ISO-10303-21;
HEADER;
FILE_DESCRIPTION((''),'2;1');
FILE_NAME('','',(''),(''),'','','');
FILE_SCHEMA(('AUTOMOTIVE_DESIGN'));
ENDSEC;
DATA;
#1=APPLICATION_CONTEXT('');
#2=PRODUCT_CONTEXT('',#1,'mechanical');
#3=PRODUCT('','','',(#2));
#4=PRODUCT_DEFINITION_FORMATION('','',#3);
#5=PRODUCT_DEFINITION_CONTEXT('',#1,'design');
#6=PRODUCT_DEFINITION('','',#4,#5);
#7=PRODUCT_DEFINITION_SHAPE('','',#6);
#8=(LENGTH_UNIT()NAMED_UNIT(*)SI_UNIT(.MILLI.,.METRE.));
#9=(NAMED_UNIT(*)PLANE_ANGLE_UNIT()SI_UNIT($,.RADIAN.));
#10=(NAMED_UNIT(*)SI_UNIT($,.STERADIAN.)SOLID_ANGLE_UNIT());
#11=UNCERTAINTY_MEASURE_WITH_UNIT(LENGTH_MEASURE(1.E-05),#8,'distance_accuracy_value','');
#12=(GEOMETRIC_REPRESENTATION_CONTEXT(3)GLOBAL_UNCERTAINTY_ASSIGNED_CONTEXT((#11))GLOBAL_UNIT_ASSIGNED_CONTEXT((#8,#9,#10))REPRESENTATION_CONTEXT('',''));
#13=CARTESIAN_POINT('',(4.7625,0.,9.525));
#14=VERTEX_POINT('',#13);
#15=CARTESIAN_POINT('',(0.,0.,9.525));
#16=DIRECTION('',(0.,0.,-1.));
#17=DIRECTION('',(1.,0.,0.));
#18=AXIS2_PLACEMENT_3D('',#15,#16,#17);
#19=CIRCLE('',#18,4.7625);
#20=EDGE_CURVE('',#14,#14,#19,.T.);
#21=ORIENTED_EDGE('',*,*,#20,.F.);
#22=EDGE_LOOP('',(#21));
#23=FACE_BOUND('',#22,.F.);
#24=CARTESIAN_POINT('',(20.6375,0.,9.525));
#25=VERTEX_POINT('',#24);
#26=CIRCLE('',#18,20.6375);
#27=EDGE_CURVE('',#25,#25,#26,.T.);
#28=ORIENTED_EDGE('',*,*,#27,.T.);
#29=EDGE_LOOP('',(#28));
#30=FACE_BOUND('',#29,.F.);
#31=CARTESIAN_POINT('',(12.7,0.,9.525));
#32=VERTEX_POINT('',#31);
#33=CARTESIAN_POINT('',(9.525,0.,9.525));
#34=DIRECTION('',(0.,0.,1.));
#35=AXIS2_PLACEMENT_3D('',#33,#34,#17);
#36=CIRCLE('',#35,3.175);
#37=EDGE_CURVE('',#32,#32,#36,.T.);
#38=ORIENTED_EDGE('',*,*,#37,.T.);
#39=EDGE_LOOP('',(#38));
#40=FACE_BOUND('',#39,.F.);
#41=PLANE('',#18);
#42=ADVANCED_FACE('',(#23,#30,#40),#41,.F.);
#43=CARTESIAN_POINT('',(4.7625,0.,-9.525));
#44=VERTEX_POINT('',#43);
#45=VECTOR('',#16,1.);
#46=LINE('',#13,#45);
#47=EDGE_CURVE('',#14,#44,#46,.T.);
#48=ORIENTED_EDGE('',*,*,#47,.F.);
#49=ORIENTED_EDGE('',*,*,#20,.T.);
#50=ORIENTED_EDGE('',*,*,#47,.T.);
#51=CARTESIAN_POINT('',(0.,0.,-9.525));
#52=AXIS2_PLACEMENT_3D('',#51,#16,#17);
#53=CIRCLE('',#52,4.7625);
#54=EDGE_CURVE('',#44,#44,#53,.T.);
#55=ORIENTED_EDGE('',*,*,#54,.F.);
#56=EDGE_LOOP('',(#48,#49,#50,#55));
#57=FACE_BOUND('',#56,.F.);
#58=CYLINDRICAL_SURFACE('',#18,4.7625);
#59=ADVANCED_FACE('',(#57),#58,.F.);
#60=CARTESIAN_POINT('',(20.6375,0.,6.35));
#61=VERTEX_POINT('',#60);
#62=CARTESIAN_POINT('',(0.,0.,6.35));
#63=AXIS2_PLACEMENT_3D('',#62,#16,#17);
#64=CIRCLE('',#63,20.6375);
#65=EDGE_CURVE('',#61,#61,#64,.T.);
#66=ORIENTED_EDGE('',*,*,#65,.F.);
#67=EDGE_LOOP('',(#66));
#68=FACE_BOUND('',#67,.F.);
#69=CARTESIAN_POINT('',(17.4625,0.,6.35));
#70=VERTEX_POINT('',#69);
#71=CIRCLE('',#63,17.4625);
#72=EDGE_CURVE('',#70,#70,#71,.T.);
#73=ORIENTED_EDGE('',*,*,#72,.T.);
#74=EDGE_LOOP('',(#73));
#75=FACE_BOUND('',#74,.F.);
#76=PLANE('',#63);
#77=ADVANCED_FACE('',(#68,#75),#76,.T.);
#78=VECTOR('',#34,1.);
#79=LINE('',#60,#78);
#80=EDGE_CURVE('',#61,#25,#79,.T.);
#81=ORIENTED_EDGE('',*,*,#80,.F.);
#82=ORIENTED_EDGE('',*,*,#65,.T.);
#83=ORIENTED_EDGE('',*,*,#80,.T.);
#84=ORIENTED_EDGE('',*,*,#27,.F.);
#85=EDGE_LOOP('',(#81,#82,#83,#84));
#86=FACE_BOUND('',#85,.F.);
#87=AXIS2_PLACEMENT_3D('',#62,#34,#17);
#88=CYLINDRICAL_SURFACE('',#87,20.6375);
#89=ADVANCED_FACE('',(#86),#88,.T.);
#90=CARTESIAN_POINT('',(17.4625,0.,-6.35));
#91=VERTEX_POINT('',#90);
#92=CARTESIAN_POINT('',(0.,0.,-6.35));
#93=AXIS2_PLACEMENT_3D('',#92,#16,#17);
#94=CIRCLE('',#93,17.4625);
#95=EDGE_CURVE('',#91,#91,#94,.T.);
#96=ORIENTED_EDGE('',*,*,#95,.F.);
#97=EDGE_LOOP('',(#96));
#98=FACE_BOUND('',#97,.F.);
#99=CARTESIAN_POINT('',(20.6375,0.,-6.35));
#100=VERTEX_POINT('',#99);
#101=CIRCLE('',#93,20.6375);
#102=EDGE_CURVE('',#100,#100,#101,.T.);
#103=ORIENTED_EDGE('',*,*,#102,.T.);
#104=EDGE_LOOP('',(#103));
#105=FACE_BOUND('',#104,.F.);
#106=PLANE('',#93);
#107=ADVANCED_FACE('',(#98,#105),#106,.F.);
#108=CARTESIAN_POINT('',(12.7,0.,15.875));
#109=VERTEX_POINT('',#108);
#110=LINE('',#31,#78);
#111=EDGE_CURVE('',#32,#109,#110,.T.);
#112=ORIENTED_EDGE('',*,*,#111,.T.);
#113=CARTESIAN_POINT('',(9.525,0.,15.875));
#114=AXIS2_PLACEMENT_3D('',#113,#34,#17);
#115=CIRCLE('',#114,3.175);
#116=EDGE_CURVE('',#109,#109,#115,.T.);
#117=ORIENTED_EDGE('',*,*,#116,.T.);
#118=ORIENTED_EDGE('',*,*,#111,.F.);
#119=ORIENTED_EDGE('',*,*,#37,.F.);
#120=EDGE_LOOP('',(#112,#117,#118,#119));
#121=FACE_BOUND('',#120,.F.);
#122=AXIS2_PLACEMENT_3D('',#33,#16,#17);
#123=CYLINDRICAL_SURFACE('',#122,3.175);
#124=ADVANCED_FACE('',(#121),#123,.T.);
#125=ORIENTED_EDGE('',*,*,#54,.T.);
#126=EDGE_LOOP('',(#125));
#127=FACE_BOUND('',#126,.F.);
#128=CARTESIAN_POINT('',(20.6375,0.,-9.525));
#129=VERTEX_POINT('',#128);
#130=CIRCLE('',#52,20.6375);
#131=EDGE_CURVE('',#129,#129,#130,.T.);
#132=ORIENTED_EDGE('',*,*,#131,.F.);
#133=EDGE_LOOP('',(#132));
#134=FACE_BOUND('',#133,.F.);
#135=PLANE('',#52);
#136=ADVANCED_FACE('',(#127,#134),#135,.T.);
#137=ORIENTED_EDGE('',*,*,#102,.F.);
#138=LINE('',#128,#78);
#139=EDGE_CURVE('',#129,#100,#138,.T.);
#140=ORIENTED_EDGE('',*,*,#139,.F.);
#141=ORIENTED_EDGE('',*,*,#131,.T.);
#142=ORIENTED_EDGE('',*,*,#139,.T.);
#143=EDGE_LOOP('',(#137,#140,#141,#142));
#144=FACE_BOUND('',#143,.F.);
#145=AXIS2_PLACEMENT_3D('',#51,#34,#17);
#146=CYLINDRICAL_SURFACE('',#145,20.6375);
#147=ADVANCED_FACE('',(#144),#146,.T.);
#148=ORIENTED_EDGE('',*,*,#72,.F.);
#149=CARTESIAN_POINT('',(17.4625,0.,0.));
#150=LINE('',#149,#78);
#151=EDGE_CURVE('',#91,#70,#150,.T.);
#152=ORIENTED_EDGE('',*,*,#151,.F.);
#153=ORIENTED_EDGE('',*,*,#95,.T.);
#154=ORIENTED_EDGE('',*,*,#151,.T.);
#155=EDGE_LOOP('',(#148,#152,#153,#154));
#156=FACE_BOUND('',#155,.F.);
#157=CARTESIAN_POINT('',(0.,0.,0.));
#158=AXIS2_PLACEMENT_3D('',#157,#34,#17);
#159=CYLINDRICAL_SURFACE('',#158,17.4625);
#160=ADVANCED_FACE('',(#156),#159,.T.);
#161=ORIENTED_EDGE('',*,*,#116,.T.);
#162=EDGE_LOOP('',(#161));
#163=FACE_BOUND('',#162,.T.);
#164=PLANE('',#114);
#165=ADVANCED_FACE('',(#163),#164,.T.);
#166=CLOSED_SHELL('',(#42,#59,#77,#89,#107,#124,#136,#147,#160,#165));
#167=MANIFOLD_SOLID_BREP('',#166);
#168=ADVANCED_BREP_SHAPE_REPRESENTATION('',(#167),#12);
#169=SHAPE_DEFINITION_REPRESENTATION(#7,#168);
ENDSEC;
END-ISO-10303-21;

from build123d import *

# Parameters (mm, degrees)
F0_W     = 12.7
F0_H     = 12.7
F2_R     = 3.175
F3_DEPTH = 6.35


with BuildPart() as f1:
    # F0 (on Front) → F1 (revolve)
    with BuildSketch(Plane.XZ):
        Polygon((4.7625, 9.525), (4.7625, 6.35), (17.4625, 6.35), (20.6375, 6.35), (20.6375, 9.525), align=None)
        with Locations((11.1125, 0)):
            Rectangle(F0_W, F0_H)
        Polygon((17.4625, -6.35), (4.7625, -6.35), (4.7625, -9.525), (20.6375, -9.525), (20.6375, -6.35), align=None)
    revolve(axis=Axis((0, 0, 0), (0, 0, -1)))

    # F2 (on face) → F3 (join)
    with BuildSketch(Plane.XY.offset(9.525)):
        with Locations((9.525, 0)):
            Circle(F2_R)
    extrude(amount=F3_DEPTH)


solid = f1.part
